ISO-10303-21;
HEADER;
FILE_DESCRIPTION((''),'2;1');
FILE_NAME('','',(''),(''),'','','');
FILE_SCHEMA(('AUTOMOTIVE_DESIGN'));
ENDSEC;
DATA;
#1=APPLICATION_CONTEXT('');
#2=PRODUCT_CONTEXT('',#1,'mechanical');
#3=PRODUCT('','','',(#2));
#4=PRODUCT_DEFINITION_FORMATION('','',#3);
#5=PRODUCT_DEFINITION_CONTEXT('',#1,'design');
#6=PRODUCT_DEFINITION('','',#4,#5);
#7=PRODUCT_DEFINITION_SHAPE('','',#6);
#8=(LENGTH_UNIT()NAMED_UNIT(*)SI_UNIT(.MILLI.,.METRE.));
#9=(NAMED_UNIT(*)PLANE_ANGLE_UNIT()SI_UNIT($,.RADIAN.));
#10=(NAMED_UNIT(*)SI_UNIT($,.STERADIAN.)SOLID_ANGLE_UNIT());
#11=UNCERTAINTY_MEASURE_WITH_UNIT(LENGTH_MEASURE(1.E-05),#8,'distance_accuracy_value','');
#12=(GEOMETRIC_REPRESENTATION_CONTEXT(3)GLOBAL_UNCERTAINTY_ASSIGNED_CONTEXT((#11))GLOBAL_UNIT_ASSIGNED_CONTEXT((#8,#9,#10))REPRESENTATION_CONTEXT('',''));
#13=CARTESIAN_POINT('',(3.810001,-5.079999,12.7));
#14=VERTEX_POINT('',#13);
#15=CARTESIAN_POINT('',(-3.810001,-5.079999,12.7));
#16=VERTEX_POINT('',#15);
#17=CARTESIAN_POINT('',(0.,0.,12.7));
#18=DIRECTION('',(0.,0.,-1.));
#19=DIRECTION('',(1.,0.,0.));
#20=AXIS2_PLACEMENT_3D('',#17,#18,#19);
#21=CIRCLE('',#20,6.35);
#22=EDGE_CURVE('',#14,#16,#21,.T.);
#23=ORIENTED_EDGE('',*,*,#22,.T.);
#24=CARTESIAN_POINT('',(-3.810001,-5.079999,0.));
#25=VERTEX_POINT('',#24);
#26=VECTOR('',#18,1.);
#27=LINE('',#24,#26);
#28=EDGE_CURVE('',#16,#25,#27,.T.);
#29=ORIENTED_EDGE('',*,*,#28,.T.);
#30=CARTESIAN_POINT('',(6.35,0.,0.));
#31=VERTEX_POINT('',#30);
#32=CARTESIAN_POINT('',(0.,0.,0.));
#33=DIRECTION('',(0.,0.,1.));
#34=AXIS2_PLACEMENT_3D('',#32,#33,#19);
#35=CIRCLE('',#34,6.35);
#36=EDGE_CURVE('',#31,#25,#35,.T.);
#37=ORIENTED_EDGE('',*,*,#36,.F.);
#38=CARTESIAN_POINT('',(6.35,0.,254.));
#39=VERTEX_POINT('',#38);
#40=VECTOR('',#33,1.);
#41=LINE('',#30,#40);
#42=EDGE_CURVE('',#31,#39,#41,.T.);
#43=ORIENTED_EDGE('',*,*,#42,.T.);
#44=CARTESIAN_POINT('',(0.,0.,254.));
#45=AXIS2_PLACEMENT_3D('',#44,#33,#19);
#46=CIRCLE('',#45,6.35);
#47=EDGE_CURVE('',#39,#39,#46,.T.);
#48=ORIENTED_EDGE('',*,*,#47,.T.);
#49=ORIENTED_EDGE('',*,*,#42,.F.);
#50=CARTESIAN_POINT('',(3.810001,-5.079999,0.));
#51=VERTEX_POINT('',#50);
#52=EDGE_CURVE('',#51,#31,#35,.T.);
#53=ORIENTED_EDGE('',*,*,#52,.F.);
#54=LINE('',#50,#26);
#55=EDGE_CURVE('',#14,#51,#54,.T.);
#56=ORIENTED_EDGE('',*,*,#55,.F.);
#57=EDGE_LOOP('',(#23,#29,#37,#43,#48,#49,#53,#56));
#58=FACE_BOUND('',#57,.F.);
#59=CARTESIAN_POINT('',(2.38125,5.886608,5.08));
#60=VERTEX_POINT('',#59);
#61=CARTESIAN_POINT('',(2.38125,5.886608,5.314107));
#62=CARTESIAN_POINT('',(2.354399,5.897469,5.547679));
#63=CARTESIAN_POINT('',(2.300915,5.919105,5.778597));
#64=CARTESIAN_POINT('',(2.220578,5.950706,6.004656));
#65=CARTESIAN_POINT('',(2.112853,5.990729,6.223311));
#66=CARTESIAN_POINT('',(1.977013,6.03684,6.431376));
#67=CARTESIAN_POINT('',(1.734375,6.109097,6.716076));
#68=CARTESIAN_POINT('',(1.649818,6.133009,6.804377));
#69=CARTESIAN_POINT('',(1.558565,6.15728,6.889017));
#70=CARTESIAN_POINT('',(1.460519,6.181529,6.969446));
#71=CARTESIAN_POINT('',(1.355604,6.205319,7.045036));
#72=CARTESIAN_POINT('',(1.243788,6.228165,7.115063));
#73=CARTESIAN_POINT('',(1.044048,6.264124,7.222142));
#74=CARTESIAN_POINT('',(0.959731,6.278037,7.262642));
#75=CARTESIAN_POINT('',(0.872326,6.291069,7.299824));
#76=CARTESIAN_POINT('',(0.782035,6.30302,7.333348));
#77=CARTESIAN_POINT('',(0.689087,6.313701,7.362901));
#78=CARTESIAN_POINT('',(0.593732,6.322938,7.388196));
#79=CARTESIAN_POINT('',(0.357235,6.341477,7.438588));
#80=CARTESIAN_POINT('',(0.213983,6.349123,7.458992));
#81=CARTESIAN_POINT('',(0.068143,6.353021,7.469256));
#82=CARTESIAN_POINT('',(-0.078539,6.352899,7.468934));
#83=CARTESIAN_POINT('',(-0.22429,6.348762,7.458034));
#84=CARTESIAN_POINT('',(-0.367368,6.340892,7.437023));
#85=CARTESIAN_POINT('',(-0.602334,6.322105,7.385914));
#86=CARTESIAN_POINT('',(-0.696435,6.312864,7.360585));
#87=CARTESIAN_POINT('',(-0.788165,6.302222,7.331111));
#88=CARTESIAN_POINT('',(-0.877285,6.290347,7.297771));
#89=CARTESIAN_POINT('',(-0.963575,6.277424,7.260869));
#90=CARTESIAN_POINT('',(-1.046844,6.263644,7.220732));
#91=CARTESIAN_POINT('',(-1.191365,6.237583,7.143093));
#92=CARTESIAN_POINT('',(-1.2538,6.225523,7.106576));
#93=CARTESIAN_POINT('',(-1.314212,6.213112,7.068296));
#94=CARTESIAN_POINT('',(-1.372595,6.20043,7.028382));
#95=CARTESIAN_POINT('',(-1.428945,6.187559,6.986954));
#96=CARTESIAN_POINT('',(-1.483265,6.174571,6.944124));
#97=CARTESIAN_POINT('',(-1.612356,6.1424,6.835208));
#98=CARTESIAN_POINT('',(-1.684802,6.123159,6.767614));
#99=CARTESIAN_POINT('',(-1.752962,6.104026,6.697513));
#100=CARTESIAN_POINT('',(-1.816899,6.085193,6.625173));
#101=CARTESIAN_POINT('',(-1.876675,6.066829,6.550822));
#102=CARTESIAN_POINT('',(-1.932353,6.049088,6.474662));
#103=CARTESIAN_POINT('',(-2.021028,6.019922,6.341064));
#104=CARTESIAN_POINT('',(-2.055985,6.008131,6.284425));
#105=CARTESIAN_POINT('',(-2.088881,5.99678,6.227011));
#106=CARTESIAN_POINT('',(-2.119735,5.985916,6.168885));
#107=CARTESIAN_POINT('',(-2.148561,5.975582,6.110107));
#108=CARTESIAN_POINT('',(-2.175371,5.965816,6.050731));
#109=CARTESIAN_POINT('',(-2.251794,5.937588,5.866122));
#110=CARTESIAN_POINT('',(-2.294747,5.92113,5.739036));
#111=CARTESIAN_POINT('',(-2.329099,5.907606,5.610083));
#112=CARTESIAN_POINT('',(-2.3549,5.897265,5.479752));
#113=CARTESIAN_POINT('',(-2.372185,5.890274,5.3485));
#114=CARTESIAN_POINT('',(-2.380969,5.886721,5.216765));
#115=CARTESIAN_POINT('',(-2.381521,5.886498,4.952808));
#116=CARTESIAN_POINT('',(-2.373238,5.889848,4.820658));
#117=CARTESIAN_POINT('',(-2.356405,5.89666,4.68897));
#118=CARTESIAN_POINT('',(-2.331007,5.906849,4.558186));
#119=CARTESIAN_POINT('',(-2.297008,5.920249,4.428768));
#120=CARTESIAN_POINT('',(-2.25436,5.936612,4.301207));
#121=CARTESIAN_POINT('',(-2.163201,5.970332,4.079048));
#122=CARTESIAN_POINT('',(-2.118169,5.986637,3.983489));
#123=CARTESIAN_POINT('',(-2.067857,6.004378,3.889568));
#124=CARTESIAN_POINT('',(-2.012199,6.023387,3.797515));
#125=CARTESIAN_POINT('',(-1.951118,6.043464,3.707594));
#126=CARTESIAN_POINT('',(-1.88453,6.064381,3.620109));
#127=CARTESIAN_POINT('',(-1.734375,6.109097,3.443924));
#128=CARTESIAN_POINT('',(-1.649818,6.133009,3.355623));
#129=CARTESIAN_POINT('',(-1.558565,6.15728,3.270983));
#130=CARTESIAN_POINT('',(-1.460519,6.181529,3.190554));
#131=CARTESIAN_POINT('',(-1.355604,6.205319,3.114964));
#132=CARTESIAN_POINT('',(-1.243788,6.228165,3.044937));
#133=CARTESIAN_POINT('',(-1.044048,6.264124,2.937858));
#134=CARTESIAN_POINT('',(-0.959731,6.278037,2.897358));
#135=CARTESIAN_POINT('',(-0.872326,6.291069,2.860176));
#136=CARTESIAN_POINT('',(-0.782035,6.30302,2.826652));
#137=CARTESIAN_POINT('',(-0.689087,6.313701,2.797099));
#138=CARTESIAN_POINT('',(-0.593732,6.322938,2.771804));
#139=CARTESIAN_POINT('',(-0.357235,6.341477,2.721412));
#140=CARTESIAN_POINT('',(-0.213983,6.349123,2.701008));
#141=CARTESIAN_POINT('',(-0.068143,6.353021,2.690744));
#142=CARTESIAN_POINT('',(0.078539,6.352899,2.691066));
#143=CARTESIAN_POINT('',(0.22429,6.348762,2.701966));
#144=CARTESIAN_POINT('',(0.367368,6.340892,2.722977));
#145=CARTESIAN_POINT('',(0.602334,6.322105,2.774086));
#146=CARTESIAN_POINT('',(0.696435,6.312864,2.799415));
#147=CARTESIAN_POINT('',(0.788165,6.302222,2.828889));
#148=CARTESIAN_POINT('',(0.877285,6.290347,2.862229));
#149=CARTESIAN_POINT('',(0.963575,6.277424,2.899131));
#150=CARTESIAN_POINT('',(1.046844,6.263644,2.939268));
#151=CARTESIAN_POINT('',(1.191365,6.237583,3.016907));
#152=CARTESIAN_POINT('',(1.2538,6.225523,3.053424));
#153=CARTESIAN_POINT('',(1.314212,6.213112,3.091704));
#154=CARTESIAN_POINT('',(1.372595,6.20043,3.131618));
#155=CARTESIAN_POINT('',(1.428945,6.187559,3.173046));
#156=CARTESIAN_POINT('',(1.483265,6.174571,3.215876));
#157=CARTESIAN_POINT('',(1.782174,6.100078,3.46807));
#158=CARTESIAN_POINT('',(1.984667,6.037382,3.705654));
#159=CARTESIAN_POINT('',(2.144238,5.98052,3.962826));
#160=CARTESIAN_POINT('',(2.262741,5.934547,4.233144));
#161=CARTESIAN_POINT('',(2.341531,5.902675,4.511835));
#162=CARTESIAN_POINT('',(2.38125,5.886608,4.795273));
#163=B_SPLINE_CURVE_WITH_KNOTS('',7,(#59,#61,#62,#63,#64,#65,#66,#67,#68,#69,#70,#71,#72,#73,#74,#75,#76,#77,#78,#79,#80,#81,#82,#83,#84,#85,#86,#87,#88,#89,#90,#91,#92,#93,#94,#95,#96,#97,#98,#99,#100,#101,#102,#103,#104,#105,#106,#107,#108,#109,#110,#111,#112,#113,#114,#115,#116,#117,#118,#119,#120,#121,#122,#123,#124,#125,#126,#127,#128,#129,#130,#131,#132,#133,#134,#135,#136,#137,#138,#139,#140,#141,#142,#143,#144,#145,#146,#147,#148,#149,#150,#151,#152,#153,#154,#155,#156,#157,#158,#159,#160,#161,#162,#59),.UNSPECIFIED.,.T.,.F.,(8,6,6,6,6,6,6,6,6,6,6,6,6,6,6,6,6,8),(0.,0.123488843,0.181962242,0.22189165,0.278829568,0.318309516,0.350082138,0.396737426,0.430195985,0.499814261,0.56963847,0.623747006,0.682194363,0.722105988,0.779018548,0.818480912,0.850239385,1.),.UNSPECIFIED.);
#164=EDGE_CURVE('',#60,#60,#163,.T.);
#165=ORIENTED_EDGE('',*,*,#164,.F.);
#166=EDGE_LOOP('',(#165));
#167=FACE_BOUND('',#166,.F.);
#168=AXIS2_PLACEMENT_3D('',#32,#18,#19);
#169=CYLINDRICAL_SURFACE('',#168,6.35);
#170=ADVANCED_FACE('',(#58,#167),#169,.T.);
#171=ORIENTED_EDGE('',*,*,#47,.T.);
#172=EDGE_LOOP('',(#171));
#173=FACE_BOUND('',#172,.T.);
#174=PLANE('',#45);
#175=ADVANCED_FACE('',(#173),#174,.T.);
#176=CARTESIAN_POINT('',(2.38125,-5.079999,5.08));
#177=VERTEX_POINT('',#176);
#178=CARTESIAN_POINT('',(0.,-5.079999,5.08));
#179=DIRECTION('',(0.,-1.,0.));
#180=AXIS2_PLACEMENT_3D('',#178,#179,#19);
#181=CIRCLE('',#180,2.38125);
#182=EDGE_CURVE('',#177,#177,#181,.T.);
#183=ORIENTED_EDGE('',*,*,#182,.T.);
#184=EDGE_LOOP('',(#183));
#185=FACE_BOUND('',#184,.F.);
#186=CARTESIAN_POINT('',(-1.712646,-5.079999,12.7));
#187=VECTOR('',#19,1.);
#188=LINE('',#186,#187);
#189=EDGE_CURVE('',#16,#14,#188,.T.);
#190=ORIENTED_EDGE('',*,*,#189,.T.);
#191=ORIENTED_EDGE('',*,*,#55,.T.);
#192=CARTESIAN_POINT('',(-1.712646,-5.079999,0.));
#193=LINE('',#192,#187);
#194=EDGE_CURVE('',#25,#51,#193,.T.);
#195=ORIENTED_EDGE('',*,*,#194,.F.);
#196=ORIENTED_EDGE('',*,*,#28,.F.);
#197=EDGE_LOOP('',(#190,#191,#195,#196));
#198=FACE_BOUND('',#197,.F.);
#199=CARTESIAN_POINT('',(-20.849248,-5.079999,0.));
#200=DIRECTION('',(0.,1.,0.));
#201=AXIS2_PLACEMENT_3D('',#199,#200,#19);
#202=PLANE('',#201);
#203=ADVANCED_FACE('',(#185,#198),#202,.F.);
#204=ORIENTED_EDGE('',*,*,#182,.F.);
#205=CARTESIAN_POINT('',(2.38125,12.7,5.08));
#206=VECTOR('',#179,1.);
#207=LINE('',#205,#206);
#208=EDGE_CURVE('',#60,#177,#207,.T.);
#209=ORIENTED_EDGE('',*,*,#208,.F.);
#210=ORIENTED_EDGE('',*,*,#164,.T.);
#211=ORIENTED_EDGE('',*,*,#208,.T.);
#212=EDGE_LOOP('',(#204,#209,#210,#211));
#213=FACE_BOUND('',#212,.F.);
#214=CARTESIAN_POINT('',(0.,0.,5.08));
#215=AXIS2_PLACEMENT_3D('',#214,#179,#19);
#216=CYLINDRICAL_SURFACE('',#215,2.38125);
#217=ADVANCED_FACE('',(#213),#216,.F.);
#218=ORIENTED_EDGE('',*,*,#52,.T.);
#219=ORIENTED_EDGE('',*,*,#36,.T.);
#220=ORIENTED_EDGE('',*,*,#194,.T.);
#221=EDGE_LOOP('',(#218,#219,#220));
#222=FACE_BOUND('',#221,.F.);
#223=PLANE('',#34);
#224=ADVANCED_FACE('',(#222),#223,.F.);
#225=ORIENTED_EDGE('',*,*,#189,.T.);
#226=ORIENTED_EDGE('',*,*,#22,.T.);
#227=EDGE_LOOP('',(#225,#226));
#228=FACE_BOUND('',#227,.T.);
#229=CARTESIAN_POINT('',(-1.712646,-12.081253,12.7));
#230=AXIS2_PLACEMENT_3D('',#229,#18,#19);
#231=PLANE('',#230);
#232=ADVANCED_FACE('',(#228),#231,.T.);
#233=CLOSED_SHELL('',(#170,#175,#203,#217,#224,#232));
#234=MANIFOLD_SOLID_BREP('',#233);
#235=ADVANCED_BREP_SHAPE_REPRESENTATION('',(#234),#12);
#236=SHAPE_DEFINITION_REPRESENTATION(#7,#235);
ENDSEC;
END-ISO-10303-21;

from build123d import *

# Parameters (mm, degrees)
F0_R     = 6.35
F1_DEPTH = 254
F2_R     = 2.38125
F3_DEPTH = 12.7
F4_W     = 38.273203
F4_H     = 14.002507
F5_DEPTH = 12.7


with BuildPart() as f1:
    # F0 (on Top) → F1 (new body)
    with BuildSketch(Plane.XY):
        Circle(F0_R)
    extrude(amount=F1_DEPTH)

    # F2 (on Front) → F3 (cut, symmetric)
    with BuildSketch(Plane.XZ):
        with Locations((0, 5.08)):
            Circle(F2_R)
    extrude(amount=F3_DEPTH, both=True, mode=Mode.SUBTRACT)

    # F4 (on face) → F5 (cut)
    with BuildSketch(Plane(origin=(0, 0, 0), x_dir=(1, 0, 0), z_dir=(0, 0, -1))):
        with Locations((-1.712646, 12.081253)):
            Rectangle(F4_W, F4_H)
    extrude(amount=-F5_DEPTH, mode=Mode.SUBTRACT)


solid = f1.part
